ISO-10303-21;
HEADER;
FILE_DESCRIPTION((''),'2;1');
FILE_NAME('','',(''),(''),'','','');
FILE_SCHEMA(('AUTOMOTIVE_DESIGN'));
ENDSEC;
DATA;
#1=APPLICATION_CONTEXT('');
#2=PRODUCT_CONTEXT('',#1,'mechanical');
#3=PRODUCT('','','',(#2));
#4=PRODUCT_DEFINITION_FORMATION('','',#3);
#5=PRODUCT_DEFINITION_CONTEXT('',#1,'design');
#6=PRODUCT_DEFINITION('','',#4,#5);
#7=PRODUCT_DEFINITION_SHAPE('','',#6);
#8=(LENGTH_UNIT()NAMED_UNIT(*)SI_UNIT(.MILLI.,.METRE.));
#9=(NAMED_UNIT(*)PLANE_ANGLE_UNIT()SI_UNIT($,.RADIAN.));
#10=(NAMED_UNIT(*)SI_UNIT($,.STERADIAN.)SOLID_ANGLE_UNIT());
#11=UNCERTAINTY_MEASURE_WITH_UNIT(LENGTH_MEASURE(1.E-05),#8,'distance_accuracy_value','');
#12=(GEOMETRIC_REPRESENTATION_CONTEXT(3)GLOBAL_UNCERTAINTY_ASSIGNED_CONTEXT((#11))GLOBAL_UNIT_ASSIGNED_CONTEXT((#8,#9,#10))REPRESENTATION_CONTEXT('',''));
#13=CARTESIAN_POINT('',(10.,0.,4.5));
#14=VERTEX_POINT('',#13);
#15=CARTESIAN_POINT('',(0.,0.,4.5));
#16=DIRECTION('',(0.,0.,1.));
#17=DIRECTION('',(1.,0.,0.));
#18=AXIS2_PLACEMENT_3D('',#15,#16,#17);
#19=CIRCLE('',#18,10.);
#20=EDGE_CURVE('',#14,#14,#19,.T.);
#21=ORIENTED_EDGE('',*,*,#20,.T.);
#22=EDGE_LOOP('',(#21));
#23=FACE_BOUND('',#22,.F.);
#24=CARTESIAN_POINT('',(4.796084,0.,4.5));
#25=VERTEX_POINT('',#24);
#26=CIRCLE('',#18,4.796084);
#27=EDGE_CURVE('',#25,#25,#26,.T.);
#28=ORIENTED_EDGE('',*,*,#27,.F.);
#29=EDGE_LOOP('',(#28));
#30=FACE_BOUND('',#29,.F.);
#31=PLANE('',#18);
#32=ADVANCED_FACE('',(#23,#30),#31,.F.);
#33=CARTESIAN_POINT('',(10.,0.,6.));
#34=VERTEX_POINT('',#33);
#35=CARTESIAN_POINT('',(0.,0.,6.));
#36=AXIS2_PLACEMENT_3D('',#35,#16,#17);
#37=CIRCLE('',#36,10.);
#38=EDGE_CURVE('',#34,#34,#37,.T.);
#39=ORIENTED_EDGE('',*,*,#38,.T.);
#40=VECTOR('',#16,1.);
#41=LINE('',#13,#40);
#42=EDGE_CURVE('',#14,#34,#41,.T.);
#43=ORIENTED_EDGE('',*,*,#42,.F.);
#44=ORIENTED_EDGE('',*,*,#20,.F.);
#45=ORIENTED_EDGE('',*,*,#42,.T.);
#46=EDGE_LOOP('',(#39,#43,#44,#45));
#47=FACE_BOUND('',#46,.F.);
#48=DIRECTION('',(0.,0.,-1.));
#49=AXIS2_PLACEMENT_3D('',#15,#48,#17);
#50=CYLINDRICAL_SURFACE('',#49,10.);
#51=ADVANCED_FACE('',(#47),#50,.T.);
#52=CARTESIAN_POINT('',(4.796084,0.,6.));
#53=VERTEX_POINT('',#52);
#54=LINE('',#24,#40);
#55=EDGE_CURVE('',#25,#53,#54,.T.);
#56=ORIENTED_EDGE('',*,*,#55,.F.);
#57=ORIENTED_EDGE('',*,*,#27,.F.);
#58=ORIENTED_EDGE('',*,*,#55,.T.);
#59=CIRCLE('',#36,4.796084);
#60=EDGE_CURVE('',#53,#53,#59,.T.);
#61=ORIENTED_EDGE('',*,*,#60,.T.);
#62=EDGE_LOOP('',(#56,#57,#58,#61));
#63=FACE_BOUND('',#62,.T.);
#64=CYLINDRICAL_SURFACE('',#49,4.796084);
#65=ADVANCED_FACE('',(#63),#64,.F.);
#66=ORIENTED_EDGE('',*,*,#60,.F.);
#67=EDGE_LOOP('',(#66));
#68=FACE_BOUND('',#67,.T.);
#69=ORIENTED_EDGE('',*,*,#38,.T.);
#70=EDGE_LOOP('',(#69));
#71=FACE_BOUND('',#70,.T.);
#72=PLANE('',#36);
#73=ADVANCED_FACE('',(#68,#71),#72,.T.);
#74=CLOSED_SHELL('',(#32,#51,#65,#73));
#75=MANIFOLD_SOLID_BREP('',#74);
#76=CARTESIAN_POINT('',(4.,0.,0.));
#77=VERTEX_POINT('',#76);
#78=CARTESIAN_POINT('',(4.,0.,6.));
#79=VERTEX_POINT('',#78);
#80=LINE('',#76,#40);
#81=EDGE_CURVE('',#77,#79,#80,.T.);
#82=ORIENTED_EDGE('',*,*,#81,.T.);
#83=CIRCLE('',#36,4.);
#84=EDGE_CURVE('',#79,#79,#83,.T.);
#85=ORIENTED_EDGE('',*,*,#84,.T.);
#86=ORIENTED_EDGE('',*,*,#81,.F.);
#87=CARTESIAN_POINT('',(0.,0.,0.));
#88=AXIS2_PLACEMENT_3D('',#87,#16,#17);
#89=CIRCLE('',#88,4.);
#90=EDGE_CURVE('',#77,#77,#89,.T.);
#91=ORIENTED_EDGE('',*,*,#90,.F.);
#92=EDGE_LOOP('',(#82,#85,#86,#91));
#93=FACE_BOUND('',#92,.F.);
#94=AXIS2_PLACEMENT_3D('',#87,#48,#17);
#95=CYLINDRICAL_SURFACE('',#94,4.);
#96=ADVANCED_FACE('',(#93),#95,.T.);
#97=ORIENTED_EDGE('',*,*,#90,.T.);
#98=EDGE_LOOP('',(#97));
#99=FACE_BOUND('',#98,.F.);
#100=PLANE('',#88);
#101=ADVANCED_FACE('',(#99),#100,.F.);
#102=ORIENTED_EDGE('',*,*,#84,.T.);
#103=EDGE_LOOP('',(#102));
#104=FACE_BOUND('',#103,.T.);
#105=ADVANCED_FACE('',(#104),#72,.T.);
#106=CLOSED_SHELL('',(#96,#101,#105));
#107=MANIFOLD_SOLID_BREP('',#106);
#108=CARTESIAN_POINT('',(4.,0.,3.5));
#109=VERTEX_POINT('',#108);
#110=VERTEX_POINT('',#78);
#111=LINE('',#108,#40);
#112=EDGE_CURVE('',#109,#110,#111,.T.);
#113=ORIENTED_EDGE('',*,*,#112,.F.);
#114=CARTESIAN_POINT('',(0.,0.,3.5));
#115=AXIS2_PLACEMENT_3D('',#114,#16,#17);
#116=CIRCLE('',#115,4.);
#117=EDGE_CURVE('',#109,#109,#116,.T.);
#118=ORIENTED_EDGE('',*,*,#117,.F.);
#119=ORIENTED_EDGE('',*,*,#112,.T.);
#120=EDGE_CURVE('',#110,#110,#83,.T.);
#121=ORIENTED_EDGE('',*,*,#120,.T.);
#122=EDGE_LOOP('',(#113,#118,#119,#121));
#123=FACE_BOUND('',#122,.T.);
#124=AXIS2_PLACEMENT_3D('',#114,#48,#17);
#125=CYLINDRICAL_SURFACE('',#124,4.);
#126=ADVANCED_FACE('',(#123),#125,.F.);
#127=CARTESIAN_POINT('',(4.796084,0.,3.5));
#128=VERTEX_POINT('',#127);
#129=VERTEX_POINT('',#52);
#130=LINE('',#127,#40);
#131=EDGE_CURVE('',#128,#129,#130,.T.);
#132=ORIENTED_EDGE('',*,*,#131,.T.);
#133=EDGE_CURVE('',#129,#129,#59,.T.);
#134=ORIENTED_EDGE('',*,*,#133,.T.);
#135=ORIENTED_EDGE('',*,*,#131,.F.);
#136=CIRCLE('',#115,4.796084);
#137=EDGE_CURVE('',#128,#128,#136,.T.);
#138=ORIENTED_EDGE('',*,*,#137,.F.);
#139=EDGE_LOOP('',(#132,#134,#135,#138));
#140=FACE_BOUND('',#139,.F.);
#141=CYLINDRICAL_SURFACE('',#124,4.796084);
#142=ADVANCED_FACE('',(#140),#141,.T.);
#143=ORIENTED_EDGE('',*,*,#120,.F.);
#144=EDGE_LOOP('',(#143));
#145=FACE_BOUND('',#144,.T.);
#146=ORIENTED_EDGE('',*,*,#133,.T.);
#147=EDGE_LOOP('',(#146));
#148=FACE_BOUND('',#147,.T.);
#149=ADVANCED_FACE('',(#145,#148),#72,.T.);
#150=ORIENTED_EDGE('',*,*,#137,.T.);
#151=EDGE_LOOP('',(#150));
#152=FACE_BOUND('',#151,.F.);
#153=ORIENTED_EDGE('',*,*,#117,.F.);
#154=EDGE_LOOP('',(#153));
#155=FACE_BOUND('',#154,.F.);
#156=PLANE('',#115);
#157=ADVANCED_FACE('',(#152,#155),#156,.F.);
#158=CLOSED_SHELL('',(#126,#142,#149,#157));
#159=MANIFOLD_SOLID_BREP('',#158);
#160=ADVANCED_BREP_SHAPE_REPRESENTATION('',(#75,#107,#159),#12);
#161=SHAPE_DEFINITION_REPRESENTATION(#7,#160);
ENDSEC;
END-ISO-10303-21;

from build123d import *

# Parameters (mm, degrees)
F0_R     = 4
F1_DEPTH = 6
F0_R_2   = 10
F0_R_3   = 4.796084
F2_DEPTH = 1.5
F4_DEPTH = 2.5


with BuildPart() as f1:
    # F0 (on Top) → F1 (new body)
    with BuildSketch(Plane.XY):
        Circle(F0_R)
    extrude(amount=F1_DEPTH)


with BuildPart() as f2:
    # F0 (on Top) → F2 (new body)
    with BuildSketch(Plane.XY):
        Circle(F0_R_2)
        Circle(F0_R_3, mode=Mode.SUBTRACT)
    extrude(amount=F2_DEPTH)


with BuildPart() as f2_1:
    # F3: moved
    add(f2.part.moved(Location((0, 0, 4.5))))


with BuildPart() as f4:
    # F0 (on Top) → F4 (new body)
    with BuildSketch(Plane.XY):
        Circle(F0_R_3)
        Circle(F0_R, mode=Mode.SUBTRACT)
    extrude(amount=F4_DEPTH)


with BuildPart() as f4_1:
    # F5: moved
    add(f4.part.moved(Location((0, 0, 3.5))))


solid = Compound([f1.part, f2_1.part, f4_1.part])
